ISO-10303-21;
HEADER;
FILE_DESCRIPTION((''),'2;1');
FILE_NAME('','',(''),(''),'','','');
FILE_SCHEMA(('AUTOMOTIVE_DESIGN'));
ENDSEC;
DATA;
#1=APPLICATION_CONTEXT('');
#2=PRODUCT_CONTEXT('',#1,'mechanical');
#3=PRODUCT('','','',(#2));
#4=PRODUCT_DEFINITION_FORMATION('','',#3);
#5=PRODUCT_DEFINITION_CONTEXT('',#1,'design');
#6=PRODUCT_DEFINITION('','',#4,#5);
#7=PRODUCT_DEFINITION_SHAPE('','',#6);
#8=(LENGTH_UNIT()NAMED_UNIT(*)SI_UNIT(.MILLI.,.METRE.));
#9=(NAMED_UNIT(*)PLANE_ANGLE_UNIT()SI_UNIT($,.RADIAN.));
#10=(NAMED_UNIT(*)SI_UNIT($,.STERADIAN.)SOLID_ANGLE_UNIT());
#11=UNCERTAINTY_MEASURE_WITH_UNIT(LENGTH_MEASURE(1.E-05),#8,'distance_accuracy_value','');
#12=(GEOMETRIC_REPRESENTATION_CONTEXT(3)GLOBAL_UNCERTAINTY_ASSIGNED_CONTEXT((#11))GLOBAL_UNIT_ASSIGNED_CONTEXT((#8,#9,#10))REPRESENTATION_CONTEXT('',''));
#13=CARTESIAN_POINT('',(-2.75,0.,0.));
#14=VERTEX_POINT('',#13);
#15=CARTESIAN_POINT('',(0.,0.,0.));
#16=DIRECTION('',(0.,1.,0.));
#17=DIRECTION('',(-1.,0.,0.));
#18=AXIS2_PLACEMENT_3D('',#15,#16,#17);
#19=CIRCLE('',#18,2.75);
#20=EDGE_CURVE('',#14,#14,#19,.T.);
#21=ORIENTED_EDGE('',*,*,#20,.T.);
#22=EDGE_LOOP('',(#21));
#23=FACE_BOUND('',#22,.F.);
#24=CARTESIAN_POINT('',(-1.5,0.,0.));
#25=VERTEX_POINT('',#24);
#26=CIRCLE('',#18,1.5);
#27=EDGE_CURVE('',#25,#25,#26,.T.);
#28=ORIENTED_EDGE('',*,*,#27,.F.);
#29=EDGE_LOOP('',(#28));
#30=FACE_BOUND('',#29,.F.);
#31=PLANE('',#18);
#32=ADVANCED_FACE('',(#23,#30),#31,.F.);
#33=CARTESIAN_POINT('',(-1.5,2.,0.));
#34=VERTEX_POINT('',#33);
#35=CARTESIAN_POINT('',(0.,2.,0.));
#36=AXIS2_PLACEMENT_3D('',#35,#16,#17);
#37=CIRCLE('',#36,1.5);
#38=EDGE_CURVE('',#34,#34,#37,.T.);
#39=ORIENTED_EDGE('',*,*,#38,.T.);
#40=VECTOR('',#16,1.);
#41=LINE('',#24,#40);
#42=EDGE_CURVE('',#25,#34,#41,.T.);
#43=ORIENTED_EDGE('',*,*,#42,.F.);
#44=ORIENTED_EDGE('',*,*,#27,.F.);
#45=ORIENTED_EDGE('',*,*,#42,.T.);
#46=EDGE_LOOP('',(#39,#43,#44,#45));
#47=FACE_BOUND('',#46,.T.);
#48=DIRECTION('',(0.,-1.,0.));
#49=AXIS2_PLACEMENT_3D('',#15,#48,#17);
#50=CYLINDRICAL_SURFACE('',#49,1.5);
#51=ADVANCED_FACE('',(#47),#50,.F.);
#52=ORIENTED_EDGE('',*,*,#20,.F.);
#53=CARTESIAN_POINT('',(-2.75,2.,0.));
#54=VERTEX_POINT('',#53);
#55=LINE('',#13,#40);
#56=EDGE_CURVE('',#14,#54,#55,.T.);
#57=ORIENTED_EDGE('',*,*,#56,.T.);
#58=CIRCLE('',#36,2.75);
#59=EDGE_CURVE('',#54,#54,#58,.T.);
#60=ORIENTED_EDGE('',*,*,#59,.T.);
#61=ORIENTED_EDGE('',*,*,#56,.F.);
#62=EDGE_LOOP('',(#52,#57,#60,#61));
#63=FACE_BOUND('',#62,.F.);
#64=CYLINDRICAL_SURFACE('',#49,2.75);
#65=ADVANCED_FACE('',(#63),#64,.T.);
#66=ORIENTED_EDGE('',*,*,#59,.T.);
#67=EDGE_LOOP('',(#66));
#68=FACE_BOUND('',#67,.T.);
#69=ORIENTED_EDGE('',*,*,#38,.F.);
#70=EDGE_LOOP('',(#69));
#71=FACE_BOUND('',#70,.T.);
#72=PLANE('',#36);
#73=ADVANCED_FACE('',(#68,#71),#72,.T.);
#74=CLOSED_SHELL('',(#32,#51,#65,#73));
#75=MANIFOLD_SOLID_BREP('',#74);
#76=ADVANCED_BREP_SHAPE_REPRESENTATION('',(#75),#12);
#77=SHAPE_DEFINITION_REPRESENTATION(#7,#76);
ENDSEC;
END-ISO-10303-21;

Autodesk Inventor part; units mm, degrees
ref_plane "YZ Plane" through (0, 0, 0) normal (1, 0, 0) x (0, 1, 0)
ref_plane "XZ Plane" through (0, 0, 0) normal (0, 1, 0) x (-1, 0, 0)
ref_plane "XY Plane" through (0, 0, 0) normal (0, 0, 1) x (1, 0, 0)
sketch "Sketch1" plane through (0, 0, 0) normal (0, 1, 0) x (-1, 0, 0)
  circle A0 centre (0, 0) radius 1.5
  circle A1 centre (0, 0) radius 2.75
  dimension "d0" = 3
  dimension "d1" = 5.5
extrude "Extrusion1" add sketch "Sketch1" along normal blind 2
properties part number "g_nut"
